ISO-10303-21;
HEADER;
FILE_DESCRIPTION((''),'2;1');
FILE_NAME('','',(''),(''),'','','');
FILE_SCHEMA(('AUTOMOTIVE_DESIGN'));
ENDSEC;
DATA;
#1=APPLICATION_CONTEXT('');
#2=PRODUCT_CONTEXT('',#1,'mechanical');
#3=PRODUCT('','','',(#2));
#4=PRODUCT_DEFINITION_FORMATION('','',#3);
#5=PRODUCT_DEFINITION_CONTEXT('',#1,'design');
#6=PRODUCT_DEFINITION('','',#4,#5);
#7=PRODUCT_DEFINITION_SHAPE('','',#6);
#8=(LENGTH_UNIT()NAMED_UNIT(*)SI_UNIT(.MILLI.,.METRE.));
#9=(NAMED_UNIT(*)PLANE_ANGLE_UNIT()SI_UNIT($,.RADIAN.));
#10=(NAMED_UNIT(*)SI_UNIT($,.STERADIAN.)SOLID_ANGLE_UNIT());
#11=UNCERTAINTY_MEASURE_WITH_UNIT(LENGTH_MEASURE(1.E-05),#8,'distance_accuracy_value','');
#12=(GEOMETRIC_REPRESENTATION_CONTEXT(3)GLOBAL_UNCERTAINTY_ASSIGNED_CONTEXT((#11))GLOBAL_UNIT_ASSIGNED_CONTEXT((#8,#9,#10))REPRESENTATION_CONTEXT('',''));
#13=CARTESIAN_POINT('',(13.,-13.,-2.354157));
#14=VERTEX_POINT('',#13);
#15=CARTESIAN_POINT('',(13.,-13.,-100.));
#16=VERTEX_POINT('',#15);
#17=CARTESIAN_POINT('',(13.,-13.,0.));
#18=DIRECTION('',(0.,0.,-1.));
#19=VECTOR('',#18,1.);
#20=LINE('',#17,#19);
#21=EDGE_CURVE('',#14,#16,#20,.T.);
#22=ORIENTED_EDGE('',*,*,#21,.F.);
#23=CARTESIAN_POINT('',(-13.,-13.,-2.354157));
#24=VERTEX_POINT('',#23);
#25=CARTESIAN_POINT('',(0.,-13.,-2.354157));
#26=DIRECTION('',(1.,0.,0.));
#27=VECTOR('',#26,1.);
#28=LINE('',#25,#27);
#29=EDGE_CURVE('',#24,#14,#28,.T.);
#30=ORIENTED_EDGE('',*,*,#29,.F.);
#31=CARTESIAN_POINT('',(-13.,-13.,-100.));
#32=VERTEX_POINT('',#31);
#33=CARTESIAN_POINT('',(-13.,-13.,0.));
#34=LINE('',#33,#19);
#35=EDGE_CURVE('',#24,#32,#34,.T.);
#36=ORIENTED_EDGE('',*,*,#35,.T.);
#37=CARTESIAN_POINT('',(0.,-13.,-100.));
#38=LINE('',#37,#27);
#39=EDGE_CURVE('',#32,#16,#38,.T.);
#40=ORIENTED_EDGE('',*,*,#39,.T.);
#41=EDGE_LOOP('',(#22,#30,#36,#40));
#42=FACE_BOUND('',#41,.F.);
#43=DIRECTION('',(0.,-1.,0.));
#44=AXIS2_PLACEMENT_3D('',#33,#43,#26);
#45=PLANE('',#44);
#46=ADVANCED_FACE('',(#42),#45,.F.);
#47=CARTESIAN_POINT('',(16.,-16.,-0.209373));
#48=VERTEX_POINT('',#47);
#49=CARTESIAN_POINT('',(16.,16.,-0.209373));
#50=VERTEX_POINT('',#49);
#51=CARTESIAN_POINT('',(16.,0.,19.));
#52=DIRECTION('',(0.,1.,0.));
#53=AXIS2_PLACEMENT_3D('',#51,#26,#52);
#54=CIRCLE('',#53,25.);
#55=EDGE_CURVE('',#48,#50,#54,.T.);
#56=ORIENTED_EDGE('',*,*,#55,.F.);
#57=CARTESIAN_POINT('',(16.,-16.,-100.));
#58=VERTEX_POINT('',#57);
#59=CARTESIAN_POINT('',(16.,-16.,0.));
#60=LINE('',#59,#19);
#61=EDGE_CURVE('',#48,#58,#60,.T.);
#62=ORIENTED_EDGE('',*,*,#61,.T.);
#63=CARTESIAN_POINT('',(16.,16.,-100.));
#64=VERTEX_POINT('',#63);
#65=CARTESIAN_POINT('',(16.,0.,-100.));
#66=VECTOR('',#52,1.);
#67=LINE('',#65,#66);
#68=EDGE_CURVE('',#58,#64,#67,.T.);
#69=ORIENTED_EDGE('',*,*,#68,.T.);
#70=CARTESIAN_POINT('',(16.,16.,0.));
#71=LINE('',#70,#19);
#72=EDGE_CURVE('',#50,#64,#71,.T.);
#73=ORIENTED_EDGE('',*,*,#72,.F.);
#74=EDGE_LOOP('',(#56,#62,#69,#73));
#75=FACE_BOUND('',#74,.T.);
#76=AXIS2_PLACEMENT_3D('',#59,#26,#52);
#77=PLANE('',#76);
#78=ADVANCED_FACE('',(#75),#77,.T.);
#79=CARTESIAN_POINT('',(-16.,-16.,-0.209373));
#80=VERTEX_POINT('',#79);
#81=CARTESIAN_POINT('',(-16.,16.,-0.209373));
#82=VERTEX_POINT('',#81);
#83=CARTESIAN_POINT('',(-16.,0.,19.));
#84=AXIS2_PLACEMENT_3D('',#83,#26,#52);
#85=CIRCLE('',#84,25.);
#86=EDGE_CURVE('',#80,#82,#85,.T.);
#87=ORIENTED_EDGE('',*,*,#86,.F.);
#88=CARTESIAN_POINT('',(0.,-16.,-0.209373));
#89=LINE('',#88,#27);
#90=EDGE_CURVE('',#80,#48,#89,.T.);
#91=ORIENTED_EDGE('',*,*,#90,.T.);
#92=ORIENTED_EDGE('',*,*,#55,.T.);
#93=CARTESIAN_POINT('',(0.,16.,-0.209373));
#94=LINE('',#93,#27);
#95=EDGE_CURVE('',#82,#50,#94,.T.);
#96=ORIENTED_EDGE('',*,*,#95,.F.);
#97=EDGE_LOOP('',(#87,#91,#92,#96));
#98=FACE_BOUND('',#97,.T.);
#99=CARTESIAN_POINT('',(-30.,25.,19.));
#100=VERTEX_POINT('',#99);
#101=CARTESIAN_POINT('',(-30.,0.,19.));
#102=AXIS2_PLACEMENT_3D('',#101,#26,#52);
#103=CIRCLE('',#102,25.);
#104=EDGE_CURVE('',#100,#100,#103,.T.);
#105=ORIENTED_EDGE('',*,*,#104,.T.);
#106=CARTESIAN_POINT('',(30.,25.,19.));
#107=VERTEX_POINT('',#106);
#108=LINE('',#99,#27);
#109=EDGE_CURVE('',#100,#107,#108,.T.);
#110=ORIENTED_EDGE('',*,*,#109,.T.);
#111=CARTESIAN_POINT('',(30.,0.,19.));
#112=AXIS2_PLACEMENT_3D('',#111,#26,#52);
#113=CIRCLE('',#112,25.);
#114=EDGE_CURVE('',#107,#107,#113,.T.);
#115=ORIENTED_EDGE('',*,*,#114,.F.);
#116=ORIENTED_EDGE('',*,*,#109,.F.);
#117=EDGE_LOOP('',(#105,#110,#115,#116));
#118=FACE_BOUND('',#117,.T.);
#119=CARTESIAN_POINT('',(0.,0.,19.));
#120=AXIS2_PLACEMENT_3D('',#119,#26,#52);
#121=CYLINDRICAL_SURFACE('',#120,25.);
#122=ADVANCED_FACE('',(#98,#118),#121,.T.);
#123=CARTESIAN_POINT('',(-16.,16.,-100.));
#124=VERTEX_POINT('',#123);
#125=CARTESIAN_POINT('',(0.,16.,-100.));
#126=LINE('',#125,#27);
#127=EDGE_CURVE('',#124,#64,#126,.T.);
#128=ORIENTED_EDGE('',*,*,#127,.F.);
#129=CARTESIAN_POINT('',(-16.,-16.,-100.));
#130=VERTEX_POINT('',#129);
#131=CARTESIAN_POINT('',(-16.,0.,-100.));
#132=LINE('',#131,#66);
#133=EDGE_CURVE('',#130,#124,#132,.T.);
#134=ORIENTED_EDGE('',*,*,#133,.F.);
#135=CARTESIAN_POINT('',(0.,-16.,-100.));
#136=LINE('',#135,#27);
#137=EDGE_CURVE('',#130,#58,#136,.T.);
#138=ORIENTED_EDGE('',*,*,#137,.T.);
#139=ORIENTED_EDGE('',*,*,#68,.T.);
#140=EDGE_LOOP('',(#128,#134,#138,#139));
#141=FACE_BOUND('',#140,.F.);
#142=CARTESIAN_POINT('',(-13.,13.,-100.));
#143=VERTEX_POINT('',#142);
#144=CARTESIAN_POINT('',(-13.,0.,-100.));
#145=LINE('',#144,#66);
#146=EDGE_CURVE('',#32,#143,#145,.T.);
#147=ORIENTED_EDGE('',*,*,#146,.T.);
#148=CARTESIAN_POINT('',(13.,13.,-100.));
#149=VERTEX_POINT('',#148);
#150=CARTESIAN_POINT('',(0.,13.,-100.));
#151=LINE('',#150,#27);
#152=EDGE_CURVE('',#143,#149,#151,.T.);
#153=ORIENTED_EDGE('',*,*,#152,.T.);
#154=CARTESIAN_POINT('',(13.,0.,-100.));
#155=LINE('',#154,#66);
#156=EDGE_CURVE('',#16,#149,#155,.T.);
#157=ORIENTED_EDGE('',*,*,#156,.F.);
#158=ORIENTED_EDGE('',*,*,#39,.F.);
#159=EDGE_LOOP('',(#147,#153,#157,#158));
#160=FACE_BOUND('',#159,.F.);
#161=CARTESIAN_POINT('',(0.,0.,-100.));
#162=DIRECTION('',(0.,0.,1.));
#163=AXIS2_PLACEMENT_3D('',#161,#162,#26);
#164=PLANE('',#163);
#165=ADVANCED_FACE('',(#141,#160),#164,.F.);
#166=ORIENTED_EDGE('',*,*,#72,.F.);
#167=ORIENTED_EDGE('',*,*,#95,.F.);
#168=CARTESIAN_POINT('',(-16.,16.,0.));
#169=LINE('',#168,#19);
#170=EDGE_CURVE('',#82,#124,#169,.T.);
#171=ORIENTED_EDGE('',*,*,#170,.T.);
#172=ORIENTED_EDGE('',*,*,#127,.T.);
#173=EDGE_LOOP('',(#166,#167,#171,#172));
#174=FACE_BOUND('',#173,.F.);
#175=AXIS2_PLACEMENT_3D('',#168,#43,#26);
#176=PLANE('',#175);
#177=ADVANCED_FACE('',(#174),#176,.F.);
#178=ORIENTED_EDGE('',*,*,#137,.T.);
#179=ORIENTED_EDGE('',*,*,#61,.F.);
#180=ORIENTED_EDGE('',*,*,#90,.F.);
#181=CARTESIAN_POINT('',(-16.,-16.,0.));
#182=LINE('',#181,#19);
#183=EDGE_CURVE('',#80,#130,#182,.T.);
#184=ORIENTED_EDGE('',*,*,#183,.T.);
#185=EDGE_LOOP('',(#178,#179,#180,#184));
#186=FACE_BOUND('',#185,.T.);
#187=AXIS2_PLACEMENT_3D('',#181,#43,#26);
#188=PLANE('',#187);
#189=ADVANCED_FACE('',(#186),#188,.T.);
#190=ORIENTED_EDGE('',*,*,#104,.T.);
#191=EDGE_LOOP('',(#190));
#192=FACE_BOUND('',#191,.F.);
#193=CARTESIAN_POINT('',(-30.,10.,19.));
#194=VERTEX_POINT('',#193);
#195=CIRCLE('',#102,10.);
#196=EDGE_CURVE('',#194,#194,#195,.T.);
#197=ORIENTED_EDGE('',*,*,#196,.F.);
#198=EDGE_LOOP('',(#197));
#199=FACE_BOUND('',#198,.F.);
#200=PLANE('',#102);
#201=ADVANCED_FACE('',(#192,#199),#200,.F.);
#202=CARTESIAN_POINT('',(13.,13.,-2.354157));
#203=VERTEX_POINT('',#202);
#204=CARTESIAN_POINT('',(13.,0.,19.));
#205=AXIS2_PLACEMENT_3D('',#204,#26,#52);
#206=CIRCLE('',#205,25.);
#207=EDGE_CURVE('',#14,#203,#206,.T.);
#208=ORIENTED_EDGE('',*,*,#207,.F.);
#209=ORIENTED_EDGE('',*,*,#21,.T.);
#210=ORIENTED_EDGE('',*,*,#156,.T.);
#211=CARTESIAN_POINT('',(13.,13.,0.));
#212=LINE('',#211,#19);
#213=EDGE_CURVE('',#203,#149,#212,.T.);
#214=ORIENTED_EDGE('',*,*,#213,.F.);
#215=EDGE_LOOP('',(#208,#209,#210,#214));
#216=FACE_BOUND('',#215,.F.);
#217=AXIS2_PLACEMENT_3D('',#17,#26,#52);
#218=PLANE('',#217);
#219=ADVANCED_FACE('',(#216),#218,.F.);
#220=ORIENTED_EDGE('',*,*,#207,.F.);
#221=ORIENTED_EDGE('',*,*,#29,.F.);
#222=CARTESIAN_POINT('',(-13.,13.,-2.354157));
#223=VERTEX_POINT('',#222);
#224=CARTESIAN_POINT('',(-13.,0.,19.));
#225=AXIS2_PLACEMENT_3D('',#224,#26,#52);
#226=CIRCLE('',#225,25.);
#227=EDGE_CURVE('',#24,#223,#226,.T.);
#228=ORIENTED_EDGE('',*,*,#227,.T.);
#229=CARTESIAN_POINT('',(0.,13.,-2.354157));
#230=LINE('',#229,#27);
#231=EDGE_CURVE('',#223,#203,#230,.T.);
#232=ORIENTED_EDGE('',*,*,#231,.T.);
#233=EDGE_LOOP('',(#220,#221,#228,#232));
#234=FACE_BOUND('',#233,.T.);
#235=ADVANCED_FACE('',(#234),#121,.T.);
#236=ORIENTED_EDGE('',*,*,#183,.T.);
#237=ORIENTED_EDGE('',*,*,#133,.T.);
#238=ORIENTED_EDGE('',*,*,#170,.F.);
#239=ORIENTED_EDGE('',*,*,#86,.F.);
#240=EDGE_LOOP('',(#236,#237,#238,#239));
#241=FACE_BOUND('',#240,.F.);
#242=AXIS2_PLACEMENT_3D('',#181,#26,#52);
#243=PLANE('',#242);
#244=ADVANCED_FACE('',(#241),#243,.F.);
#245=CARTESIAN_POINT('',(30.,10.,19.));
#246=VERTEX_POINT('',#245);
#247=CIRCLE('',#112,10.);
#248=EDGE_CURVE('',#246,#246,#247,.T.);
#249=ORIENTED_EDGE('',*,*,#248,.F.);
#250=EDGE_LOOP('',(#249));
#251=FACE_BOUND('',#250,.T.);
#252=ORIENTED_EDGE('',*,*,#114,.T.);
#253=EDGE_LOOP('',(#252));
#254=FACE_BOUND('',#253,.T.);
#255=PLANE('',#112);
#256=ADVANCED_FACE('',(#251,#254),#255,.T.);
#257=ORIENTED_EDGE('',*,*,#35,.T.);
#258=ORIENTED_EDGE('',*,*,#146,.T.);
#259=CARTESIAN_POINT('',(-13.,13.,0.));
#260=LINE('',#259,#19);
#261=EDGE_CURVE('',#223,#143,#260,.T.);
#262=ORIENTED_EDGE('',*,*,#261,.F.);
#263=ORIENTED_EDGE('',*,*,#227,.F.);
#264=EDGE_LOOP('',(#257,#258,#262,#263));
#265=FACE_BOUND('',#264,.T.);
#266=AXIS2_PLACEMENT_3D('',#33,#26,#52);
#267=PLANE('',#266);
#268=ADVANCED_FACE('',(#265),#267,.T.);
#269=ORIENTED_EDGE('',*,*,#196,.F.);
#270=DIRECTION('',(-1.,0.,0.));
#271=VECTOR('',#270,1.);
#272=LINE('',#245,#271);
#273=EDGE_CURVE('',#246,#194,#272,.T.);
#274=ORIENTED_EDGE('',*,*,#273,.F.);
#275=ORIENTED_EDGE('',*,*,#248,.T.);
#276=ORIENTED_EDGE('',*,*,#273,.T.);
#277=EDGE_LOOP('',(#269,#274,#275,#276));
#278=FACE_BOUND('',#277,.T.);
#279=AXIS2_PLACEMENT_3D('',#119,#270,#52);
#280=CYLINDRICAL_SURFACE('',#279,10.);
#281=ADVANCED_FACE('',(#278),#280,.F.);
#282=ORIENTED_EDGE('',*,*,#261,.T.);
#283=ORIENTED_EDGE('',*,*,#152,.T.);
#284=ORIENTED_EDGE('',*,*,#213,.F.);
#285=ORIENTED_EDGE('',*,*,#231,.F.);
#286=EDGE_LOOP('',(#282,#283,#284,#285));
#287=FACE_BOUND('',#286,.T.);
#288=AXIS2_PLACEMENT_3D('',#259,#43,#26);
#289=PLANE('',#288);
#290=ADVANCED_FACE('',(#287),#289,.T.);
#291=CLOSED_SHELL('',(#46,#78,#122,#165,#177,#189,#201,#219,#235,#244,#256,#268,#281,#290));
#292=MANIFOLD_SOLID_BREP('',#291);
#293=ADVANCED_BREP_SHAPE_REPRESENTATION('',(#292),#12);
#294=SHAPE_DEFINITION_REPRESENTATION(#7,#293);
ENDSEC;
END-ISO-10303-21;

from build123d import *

# Parameters (mm, degrees)
F0_W     = 32
F0_H     = 32
F0_W_2   = 26
F0_H_2   = 26
F1_DEPTH = 100
F2_R     = 25
F2_R_2   = 10
F3_DEPTH = 30


with BuildPart() as f1:
    # F0 (on Top) → F1 (new body)
    with BuildSketch(Plane.XY):
        Rectangle(F0_W, F0_H)
        Rectangle(F0_W_2, F0_H_2, mode=Mode.SUBTRACT)
    extrude(amount=-F1_DEPTH)

    # F2 (on Right) → F3 (join, symmetric)
    with BuildSketch(Plane.YZ):
        with Locations((0, 19)):
            Circle(F2_R)
        with Locations((0, 19)):
            Circle(F2_R_2, mode=Mode.SUBTRACT)
    extrude(amount=F3_DEPTH, both=True)


solid = f1.part
